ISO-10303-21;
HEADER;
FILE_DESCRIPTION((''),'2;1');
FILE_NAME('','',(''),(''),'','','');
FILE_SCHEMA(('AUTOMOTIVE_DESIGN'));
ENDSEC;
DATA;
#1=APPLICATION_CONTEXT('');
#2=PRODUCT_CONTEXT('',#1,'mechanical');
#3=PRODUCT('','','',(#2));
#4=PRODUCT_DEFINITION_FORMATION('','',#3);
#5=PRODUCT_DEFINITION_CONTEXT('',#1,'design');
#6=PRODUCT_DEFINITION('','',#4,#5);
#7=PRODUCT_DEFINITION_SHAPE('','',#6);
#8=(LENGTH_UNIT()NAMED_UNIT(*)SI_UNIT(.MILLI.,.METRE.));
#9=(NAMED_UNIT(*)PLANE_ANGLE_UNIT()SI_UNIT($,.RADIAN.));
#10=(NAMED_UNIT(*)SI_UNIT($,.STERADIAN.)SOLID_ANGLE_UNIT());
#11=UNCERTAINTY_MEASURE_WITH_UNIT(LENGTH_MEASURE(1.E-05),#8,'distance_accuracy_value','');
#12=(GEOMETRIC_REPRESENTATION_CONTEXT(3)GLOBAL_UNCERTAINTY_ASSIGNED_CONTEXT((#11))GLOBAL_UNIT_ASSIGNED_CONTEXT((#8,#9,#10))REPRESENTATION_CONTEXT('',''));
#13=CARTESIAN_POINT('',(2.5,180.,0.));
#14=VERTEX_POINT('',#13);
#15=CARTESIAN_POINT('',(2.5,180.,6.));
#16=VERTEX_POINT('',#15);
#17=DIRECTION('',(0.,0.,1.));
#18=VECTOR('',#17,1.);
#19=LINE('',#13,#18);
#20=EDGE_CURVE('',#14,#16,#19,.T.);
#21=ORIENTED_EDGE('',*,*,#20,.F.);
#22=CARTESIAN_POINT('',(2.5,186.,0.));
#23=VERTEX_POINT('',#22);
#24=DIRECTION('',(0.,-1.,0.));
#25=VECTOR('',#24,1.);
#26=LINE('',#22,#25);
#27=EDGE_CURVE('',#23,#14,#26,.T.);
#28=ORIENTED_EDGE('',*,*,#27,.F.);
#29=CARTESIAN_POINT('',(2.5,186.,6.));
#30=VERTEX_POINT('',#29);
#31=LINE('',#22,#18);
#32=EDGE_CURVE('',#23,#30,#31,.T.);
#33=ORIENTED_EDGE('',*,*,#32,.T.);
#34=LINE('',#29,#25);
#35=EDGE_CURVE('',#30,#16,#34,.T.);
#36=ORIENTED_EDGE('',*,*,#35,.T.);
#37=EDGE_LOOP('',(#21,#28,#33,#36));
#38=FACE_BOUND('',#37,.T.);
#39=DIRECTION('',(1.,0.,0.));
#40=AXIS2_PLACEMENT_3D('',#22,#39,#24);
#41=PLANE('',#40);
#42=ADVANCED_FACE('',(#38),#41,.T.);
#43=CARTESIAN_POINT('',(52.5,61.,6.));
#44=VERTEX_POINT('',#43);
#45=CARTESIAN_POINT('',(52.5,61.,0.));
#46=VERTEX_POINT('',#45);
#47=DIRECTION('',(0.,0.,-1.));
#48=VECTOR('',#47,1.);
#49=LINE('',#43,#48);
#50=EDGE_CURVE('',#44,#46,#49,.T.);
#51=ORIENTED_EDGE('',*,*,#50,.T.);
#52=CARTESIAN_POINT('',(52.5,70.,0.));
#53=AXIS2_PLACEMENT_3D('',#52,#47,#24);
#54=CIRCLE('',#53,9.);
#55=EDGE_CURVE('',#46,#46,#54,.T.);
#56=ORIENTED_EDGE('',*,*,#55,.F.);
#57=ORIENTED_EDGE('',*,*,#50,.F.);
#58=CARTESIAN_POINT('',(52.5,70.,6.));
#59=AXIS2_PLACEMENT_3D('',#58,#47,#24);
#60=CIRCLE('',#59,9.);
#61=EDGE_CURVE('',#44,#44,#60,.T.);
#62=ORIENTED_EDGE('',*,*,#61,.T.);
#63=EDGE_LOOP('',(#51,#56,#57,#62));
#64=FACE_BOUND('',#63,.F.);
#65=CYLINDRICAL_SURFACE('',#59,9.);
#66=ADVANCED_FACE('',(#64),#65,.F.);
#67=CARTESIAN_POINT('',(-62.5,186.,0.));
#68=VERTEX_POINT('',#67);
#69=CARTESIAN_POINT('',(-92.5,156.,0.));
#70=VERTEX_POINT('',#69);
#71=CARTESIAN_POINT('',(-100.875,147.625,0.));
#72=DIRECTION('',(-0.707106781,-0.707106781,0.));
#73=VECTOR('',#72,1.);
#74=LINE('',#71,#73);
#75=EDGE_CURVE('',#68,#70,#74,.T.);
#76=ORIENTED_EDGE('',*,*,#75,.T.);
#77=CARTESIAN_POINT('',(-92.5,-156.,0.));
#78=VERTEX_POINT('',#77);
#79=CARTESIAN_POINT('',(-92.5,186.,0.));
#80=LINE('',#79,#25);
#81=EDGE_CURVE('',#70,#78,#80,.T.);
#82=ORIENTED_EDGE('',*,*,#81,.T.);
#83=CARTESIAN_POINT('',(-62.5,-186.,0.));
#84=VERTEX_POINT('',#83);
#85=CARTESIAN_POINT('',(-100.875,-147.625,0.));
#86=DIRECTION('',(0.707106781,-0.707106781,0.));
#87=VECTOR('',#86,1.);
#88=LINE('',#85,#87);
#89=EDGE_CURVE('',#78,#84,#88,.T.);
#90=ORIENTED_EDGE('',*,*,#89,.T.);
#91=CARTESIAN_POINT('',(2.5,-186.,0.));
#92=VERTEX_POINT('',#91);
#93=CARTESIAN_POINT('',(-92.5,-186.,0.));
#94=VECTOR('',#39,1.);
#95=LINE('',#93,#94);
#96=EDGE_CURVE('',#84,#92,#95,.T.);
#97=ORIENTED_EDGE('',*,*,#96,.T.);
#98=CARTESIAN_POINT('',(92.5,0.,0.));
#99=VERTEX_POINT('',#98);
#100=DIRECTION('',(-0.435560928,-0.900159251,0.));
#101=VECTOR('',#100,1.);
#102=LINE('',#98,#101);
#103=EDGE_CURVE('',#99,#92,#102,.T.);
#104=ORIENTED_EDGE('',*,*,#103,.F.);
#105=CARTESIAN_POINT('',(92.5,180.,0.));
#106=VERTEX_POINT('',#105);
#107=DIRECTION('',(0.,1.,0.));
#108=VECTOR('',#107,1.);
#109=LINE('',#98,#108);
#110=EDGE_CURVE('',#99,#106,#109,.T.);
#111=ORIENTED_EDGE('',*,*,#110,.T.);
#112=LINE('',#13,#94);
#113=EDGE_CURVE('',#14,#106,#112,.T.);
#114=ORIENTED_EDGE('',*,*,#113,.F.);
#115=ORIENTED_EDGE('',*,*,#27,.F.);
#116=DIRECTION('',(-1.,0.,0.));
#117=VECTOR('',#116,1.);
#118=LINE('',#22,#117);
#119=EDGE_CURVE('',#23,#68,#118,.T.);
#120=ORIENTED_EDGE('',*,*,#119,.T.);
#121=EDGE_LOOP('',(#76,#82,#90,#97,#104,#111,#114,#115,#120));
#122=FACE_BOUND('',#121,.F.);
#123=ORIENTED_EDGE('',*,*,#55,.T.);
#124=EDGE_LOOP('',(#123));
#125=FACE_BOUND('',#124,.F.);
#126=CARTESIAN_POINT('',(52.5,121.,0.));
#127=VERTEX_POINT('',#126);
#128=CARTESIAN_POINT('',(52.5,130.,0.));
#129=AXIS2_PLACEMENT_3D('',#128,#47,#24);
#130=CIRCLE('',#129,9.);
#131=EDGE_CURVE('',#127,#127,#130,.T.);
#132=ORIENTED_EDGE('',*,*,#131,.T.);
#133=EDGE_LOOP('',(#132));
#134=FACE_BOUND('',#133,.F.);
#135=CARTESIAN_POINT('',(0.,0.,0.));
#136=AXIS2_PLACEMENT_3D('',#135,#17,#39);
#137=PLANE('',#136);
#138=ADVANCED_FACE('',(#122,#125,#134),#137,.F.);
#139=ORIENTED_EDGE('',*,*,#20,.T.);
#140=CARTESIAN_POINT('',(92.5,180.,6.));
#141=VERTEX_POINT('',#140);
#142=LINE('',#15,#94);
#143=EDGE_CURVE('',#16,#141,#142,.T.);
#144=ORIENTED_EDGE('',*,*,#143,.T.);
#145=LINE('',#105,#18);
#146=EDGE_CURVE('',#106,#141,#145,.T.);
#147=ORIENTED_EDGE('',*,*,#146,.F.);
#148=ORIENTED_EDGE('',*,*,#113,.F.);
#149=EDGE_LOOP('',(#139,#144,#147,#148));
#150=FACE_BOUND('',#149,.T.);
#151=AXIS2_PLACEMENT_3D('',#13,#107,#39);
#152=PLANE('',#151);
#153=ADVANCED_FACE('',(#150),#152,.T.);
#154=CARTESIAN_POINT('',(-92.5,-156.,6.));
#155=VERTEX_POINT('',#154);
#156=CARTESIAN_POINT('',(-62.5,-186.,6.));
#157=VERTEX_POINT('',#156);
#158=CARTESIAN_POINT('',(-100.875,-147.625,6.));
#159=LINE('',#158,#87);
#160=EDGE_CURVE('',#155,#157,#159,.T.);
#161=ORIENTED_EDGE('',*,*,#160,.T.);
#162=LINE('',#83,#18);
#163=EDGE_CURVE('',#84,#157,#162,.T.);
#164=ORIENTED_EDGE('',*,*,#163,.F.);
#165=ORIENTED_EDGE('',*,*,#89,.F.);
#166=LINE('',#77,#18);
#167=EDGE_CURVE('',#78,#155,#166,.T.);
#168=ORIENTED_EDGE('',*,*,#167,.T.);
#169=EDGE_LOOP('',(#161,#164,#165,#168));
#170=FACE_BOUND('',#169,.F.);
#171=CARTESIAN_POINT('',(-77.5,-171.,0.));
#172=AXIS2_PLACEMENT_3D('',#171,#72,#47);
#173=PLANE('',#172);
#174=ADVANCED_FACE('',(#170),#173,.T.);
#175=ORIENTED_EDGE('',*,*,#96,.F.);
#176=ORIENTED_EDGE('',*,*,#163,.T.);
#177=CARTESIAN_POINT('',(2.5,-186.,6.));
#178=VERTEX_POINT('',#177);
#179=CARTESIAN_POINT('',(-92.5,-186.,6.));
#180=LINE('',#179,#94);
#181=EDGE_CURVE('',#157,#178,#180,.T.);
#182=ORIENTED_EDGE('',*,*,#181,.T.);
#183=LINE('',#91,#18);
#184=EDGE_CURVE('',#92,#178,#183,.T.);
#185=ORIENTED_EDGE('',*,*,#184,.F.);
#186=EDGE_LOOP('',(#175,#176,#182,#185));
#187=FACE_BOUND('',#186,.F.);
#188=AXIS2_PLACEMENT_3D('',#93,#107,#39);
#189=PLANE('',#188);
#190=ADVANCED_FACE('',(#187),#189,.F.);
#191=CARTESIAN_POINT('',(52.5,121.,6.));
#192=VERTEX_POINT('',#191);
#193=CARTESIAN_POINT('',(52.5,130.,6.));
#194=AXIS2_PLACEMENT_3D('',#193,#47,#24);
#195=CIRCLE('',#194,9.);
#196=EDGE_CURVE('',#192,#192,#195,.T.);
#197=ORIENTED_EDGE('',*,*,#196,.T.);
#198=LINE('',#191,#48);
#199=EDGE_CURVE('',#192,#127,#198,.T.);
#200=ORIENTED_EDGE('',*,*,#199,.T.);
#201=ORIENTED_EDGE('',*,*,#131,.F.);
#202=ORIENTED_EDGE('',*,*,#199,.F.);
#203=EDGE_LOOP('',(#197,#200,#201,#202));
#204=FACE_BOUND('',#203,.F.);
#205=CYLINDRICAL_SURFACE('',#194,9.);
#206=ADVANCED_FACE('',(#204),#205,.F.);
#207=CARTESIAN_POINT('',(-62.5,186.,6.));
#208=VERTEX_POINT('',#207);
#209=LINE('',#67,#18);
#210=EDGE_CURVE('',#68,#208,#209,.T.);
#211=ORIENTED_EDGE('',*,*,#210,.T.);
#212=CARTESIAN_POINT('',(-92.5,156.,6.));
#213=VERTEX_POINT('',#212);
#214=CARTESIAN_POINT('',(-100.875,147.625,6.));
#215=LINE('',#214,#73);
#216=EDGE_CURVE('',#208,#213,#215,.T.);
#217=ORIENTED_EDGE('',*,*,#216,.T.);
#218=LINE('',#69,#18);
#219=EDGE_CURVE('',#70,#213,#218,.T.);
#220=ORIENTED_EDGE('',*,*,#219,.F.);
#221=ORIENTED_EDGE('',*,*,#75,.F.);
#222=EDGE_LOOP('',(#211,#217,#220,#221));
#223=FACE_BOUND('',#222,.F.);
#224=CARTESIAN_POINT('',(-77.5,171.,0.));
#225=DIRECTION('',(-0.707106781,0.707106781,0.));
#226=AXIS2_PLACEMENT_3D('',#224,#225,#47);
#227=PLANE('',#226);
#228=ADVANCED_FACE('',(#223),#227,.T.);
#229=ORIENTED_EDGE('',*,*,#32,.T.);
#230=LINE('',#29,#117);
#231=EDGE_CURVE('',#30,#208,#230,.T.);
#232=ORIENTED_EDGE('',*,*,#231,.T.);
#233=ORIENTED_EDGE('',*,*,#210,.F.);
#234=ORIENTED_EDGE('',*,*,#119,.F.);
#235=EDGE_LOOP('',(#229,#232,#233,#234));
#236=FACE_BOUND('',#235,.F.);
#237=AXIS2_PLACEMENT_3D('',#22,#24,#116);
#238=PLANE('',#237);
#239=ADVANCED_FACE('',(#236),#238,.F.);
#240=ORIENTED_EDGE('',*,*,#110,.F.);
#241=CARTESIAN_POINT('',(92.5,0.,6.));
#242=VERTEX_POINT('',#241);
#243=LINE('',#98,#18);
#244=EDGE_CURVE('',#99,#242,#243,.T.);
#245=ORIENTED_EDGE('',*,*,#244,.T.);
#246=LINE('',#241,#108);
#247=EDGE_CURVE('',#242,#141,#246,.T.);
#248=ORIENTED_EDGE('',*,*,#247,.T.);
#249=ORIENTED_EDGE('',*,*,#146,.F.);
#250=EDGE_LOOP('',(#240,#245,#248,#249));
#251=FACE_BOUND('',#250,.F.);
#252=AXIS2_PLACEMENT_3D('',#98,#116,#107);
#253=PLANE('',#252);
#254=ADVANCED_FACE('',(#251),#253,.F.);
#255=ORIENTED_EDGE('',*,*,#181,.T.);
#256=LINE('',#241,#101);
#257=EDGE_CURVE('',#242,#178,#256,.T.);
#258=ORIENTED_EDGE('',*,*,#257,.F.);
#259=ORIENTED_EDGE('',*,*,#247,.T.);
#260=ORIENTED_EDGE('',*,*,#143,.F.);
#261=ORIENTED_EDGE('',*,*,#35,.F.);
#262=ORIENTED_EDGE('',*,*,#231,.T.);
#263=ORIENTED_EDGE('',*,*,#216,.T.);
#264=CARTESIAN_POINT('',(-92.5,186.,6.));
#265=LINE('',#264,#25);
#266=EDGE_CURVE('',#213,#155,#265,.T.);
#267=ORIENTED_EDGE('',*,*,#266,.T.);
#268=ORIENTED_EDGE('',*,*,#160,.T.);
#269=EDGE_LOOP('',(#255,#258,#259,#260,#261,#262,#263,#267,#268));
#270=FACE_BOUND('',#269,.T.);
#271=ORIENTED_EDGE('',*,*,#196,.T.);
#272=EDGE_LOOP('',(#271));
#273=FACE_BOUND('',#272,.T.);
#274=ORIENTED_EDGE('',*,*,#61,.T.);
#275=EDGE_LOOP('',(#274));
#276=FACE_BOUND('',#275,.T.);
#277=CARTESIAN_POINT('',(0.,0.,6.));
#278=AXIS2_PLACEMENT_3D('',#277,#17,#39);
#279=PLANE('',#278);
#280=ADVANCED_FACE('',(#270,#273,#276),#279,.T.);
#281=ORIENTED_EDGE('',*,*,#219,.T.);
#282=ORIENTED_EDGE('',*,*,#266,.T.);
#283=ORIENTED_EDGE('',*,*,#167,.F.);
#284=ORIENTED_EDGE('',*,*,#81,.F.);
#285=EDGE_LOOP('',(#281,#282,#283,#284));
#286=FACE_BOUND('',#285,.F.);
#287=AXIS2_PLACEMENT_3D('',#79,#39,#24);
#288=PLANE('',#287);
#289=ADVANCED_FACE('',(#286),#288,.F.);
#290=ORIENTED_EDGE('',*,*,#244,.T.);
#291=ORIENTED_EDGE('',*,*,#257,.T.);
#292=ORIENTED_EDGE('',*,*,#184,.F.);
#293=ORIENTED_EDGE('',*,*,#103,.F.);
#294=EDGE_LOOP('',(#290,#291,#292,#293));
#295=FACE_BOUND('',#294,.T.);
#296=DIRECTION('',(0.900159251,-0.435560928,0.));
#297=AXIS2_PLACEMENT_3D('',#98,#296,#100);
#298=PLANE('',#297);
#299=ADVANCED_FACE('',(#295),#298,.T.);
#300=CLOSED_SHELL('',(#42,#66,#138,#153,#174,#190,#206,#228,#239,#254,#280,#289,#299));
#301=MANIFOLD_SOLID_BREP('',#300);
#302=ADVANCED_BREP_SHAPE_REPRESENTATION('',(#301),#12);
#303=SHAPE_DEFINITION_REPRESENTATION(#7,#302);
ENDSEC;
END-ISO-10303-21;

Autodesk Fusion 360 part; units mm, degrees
sketch "スケッチ1" plane through (0, 0, 0) normal (0, 0, 1) x (1, 0, 0)
  line L0 (2.5, 186) -> (-92.5, 186)
  line L1 (-92.5, 186) -> (-92.5, -186)
  line L2 (-92.5, -186) -> (2.5, -186)
  line L3 (92.5, 0) -> (92.5, 180)
  line L4 (89.5161, 180) -> (-92.5, -186) construction
  line L5 (-92.5, 186) -> (46.8836, -94.274) construction
  line L6 (2.5, 186) -> (2.5, 180)
  line L7 (2.5, 180) -> (92.5, 180)
  line L8 (-92.5, -186) -> (2.5, -186) construction
  line L9 (92.5, 0) -> (2.5, -186)
  dimension "d2" = 372
  dimension "d5" = 95
extrude "押し出し1" add sketch "スケッチ1" along normal blind 6
sketch "スケッチ2" plane through (0, 0, 6) normal (0, 0, 1) x (-1, 0, 0)
  line L0 (-2.5, -186) -> (92.5, -186)
  line L1 (92.5, -186) -> (92.5, 186)
  line L2 (92.5, 186) -> (-2.5, 186)
  line L3 (-2.5, 186) -> (-92.5, 0)
  line L4 (-92.5, 0) -> (-92.5, -180)
  line L5 (-92.5, -180) -> (-2.5, -180)
  line L6 (-2.5, -180) -> (-2.5, -186)
  line L7 (-92.5, -180) -> (-52.5, -180) construction
  line L8 (-52.5, -180) -> (-52.5, -130) construction
  line L9 (-52.5, -130) -> (-92.5, -130) construction
  line L10 (-92.5, -130) -> (-92.5, -180) construction
  line L11 (-52.5, -130) -> (-52.5, -70) construction
  point P0 (-52.5, -130)
  point P1 (-52.5, -70)
  dimension "d9" = 40
  dimension "d10" = 50
  dimension "d11" = 60
hole "穴1" at (52.5, 130, 6) at (52.5, 70, 6) direction (0, 0, -1) diameter 18 end through all
chamfer "面取り1" distance 30 angle 45 2 edges at (-92.5, -186, 3) (-92.5, 186, 3)
equation "d5 = 30 mm + 65 mm"
